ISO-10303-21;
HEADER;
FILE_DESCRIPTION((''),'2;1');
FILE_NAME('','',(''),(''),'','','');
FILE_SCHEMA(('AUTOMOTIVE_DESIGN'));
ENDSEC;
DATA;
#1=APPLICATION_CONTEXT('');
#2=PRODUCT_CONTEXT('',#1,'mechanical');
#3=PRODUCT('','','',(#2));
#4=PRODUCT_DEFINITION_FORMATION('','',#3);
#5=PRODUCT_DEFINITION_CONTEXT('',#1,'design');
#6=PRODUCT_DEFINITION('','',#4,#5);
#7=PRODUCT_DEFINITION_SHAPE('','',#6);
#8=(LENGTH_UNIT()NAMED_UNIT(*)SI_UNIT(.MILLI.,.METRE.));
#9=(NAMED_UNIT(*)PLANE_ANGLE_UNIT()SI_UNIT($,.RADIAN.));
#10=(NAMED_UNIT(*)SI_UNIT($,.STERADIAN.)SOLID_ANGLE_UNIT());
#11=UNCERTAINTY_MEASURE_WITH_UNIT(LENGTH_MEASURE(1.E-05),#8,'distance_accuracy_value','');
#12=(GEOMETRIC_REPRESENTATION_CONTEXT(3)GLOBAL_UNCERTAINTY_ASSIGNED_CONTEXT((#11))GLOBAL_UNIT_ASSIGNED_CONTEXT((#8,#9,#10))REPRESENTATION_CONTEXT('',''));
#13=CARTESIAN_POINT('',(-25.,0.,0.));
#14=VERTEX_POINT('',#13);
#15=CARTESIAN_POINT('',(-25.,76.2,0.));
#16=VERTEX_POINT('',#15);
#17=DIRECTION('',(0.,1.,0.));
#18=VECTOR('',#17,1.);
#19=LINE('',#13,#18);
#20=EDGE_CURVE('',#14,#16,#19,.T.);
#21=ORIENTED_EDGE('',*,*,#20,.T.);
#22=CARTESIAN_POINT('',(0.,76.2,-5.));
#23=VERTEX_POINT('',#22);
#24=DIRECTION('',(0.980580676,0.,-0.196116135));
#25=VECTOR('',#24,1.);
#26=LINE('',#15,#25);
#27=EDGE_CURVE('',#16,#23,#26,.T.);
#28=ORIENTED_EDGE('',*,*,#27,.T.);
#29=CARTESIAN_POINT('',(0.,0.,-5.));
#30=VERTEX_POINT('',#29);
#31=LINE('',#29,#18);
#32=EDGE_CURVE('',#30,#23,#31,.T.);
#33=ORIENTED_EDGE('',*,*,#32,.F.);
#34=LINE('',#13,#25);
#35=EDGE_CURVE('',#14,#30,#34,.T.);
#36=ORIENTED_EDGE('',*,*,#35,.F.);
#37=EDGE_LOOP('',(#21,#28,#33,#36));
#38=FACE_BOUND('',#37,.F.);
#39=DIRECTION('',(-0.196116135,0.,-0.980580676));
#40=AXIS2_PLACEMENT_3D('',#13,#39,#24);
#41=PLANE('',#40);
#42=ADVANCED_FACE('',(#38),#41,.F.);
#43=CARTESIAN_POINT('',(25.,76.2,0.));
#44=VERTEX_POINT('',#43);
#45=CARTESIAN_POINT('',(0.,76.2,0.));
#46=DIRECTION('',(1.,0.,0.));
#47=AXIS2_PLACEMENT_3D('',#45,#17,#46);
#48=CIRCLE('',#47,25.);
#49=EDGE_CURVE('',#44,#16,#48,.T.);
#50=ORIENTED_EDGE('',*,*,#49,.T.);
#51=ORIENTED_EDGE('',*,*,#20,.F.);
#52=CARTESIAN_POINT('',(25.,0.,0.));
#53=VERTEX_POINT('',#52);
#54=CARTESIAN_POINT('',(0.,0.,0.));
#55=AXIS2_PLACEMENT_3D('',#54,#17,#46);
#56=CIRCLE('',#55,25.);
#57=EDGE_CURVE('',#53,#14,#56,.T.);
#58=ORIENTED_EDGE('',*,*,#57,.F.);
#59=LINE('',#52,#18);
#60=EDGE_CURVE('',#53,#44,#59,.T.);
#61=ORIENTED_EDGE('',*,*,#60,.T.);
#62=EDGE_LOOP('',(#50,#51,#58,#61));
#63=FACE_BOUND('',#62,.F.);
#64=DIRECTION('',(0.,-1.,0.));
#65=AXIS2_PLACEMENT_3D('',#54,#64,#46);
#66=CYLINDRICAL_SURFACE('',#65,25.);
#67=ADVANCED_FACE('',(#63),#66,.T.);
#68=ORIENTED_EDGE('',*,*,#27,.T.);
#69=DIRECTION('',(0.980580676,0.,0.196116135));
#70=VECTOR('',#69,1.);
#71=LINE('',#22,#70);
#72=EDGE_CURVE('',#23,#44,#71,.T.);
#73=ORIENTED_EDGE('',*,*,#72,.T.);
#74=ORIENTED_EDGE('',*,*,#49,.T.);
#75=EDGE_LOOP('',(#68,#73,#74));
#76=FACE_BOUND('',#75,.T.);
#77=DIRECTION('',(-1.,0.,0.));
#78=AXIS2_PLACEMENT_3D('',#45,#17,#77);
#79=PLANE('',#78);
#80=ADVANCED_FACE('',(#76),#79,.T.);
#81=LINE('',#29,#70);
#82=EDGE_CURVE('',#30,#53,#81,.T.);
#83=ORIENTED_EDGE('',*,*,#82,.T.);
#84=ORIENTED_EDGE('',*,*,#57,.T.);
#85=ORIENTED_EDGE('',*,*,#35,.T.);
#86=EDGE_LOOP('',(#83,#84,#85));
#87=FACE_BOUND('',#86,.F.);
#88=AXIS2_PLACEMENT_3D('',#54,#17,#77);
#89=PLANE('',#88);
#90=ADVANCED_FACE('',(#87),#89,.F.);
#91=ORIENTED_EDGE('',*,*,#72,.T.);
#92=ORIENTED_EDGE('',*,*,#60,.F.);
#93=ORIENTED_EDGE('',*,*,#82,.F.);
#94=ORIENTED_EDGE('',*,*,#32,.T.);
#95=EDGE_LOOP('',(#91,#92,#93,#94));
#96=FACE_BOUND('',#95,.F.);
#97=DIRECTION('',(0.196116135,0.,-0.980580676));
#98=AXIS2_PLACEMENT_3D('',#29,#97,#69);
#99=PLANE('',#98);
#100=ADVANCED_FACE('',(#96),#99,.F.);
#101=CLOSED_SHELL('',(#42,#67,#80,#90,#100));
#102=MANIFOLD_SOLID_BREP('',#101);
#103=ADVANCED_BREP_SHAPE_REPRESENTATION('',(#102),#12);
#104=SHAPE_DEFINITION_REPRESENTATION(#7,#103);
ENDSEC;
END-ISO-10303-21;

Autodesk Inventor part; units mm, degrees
ref_plane "YZ Plane" through (0, 0, 0) normal (1, 0, 0) x (0, 1, 0)
ref_plane "XZ Plane" through (0, 0, 0) normal (0, 1, 0) x (-1, 0, 0)
ref_plane "XY Plane" through (0, 0, 0) normal (0, 0, 1) x (1, 0, 0)
sketch "Sketch1" plane through (0, 0, 0) normal (0, 1, 0) x (-1, 0, 0)
  arc A0 (-25, 0) -> (25, 0) centre (0, 0) ccw
  line L0 (25, 0) -> (0, -5)
  line L1 (0, -5) -> (-25, 0)
  dimension "d0" = 50
  dimension "d1" = 5
extrude "Extrusion1" add sketch "Sketch1" along normal blind 76.2
